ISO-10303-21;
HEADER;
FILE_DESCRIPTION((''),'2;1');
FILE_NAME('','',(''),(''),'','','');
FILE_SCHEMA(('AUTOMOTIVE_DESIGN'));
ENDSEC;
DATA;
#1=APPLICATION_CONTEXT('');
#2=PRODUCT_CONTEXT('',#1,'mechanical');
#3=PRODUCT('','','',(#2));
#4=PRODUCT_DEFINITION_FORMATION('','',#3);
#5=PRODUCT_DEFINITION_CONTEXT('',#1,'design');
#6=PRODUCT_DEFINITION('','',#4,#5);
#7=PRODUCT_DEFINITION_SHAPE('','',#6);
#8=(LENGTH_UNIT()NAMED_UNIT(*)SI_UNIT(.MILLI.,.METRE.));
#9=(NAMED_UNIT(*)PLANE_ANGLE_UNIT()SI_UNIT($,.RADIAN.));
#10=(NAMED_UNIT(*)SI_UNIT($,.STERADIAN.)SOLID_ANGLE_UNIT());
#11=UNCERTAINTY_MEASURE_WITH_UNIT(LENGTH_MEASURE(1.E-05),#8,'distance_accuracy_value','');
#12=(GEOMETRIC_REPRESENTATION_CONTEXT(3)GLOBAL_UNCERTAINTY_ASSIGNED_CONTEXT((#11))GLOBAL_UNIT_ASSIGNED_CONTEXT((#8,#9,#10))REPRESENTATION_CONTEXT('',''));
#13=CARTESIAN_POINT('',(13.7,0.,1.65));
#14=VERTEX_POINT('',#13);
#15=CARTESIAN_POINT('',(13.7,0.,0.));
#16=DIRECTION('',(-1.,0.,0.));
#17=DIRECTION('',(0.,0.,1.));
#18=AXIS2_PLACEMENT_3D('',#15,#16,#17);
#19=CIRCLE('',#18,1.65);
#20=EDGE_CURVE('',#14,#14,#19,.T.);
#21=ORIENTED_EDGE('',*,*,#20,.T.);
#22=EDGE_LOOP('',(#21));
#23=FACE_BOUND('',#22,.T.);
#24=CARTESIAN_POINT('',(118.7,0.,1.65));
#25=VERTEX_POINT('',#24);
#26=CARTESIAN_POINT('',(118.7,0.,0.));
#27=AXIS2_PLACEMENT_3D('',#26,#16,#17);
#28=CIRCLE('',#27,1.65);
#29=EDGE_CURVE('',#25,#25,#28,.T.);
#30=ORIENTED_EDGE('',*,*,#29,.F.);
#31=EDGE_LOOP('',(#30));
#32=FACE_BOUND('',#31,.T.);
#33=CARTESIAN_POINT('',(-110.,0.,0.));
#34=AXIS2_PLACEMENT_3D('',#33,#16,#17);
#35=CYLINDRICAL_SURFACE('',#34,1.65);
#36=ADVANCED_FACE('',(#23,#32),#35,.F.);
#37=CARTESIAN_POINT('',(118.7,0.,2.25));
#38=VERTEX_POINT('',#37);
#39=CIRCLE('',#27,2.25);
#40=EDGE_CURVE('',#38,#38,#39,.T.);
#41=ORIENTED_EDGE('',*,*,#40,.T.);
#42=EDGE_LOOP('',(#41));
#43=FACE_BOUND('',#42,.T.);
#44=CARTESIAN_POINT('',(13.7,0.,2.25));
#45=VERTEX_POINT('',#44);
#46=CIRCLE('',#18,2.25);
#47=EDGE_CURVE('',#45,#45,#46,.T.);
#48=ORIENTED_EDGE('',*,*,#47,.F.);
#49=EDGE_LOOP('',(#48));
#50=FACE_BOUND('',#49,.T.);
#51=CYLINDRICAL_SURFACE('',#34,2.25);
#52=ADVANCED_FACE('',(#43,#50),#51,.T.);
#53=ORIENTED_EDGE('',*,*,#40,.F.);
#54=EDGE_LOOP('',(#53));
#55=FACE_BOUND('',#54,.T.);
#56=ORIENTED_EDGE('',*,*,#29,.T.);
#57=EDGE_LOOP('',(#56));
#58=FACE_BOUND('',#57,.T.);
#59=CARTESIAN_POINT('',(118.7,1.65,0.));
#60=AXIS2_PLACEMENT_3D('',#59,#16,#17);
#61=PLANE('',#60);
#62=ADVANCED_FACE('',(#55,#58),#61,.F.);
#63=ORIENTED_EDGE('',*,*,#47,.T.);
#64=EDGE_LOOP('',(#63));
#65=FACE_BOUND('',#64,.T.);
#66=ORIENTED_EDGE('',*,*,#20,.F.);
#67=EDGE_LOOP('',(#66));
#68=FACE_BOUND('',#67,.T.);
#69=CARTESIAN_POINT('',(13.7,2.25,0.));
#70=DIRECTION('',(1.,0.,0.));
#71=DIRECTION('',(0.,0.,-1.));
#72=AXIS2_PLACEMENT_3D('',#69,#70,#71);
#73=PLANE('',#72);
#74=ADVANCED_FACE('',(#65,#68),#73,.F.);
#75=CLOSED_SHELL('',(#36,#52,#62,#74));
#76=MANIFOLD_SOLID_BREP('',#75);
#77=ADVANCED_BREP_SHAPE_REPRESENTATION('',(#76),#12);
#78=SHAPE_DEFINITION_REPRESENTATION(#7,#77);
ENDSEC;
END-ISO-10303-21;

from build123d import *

# Parameters (mm, degrees)
AXIAL_PROFILE_MM_W = 105
AXIAL_PROFILE_MM_H = 0.6


with BuildPart() as part:
    # Axial profile (mm) → Full revolution (revolve)
    with BuildSketch(Plane.XY, mode=Mode.PRIVATE) as full_revolution_sk:
        with Locations((66.2, 1.95)):
            Rectangle(AXIAL_PROFILE_MM_W, AXIAL_PROFILE_MM_H)
    revolve(full_revolution_sk.sketch.rotate(Axis((-110, 0, 0), (1, 0, 0)), 90), axis=Axis((-110, 0, 0), (1, 0, 0)))


solid = part.part
